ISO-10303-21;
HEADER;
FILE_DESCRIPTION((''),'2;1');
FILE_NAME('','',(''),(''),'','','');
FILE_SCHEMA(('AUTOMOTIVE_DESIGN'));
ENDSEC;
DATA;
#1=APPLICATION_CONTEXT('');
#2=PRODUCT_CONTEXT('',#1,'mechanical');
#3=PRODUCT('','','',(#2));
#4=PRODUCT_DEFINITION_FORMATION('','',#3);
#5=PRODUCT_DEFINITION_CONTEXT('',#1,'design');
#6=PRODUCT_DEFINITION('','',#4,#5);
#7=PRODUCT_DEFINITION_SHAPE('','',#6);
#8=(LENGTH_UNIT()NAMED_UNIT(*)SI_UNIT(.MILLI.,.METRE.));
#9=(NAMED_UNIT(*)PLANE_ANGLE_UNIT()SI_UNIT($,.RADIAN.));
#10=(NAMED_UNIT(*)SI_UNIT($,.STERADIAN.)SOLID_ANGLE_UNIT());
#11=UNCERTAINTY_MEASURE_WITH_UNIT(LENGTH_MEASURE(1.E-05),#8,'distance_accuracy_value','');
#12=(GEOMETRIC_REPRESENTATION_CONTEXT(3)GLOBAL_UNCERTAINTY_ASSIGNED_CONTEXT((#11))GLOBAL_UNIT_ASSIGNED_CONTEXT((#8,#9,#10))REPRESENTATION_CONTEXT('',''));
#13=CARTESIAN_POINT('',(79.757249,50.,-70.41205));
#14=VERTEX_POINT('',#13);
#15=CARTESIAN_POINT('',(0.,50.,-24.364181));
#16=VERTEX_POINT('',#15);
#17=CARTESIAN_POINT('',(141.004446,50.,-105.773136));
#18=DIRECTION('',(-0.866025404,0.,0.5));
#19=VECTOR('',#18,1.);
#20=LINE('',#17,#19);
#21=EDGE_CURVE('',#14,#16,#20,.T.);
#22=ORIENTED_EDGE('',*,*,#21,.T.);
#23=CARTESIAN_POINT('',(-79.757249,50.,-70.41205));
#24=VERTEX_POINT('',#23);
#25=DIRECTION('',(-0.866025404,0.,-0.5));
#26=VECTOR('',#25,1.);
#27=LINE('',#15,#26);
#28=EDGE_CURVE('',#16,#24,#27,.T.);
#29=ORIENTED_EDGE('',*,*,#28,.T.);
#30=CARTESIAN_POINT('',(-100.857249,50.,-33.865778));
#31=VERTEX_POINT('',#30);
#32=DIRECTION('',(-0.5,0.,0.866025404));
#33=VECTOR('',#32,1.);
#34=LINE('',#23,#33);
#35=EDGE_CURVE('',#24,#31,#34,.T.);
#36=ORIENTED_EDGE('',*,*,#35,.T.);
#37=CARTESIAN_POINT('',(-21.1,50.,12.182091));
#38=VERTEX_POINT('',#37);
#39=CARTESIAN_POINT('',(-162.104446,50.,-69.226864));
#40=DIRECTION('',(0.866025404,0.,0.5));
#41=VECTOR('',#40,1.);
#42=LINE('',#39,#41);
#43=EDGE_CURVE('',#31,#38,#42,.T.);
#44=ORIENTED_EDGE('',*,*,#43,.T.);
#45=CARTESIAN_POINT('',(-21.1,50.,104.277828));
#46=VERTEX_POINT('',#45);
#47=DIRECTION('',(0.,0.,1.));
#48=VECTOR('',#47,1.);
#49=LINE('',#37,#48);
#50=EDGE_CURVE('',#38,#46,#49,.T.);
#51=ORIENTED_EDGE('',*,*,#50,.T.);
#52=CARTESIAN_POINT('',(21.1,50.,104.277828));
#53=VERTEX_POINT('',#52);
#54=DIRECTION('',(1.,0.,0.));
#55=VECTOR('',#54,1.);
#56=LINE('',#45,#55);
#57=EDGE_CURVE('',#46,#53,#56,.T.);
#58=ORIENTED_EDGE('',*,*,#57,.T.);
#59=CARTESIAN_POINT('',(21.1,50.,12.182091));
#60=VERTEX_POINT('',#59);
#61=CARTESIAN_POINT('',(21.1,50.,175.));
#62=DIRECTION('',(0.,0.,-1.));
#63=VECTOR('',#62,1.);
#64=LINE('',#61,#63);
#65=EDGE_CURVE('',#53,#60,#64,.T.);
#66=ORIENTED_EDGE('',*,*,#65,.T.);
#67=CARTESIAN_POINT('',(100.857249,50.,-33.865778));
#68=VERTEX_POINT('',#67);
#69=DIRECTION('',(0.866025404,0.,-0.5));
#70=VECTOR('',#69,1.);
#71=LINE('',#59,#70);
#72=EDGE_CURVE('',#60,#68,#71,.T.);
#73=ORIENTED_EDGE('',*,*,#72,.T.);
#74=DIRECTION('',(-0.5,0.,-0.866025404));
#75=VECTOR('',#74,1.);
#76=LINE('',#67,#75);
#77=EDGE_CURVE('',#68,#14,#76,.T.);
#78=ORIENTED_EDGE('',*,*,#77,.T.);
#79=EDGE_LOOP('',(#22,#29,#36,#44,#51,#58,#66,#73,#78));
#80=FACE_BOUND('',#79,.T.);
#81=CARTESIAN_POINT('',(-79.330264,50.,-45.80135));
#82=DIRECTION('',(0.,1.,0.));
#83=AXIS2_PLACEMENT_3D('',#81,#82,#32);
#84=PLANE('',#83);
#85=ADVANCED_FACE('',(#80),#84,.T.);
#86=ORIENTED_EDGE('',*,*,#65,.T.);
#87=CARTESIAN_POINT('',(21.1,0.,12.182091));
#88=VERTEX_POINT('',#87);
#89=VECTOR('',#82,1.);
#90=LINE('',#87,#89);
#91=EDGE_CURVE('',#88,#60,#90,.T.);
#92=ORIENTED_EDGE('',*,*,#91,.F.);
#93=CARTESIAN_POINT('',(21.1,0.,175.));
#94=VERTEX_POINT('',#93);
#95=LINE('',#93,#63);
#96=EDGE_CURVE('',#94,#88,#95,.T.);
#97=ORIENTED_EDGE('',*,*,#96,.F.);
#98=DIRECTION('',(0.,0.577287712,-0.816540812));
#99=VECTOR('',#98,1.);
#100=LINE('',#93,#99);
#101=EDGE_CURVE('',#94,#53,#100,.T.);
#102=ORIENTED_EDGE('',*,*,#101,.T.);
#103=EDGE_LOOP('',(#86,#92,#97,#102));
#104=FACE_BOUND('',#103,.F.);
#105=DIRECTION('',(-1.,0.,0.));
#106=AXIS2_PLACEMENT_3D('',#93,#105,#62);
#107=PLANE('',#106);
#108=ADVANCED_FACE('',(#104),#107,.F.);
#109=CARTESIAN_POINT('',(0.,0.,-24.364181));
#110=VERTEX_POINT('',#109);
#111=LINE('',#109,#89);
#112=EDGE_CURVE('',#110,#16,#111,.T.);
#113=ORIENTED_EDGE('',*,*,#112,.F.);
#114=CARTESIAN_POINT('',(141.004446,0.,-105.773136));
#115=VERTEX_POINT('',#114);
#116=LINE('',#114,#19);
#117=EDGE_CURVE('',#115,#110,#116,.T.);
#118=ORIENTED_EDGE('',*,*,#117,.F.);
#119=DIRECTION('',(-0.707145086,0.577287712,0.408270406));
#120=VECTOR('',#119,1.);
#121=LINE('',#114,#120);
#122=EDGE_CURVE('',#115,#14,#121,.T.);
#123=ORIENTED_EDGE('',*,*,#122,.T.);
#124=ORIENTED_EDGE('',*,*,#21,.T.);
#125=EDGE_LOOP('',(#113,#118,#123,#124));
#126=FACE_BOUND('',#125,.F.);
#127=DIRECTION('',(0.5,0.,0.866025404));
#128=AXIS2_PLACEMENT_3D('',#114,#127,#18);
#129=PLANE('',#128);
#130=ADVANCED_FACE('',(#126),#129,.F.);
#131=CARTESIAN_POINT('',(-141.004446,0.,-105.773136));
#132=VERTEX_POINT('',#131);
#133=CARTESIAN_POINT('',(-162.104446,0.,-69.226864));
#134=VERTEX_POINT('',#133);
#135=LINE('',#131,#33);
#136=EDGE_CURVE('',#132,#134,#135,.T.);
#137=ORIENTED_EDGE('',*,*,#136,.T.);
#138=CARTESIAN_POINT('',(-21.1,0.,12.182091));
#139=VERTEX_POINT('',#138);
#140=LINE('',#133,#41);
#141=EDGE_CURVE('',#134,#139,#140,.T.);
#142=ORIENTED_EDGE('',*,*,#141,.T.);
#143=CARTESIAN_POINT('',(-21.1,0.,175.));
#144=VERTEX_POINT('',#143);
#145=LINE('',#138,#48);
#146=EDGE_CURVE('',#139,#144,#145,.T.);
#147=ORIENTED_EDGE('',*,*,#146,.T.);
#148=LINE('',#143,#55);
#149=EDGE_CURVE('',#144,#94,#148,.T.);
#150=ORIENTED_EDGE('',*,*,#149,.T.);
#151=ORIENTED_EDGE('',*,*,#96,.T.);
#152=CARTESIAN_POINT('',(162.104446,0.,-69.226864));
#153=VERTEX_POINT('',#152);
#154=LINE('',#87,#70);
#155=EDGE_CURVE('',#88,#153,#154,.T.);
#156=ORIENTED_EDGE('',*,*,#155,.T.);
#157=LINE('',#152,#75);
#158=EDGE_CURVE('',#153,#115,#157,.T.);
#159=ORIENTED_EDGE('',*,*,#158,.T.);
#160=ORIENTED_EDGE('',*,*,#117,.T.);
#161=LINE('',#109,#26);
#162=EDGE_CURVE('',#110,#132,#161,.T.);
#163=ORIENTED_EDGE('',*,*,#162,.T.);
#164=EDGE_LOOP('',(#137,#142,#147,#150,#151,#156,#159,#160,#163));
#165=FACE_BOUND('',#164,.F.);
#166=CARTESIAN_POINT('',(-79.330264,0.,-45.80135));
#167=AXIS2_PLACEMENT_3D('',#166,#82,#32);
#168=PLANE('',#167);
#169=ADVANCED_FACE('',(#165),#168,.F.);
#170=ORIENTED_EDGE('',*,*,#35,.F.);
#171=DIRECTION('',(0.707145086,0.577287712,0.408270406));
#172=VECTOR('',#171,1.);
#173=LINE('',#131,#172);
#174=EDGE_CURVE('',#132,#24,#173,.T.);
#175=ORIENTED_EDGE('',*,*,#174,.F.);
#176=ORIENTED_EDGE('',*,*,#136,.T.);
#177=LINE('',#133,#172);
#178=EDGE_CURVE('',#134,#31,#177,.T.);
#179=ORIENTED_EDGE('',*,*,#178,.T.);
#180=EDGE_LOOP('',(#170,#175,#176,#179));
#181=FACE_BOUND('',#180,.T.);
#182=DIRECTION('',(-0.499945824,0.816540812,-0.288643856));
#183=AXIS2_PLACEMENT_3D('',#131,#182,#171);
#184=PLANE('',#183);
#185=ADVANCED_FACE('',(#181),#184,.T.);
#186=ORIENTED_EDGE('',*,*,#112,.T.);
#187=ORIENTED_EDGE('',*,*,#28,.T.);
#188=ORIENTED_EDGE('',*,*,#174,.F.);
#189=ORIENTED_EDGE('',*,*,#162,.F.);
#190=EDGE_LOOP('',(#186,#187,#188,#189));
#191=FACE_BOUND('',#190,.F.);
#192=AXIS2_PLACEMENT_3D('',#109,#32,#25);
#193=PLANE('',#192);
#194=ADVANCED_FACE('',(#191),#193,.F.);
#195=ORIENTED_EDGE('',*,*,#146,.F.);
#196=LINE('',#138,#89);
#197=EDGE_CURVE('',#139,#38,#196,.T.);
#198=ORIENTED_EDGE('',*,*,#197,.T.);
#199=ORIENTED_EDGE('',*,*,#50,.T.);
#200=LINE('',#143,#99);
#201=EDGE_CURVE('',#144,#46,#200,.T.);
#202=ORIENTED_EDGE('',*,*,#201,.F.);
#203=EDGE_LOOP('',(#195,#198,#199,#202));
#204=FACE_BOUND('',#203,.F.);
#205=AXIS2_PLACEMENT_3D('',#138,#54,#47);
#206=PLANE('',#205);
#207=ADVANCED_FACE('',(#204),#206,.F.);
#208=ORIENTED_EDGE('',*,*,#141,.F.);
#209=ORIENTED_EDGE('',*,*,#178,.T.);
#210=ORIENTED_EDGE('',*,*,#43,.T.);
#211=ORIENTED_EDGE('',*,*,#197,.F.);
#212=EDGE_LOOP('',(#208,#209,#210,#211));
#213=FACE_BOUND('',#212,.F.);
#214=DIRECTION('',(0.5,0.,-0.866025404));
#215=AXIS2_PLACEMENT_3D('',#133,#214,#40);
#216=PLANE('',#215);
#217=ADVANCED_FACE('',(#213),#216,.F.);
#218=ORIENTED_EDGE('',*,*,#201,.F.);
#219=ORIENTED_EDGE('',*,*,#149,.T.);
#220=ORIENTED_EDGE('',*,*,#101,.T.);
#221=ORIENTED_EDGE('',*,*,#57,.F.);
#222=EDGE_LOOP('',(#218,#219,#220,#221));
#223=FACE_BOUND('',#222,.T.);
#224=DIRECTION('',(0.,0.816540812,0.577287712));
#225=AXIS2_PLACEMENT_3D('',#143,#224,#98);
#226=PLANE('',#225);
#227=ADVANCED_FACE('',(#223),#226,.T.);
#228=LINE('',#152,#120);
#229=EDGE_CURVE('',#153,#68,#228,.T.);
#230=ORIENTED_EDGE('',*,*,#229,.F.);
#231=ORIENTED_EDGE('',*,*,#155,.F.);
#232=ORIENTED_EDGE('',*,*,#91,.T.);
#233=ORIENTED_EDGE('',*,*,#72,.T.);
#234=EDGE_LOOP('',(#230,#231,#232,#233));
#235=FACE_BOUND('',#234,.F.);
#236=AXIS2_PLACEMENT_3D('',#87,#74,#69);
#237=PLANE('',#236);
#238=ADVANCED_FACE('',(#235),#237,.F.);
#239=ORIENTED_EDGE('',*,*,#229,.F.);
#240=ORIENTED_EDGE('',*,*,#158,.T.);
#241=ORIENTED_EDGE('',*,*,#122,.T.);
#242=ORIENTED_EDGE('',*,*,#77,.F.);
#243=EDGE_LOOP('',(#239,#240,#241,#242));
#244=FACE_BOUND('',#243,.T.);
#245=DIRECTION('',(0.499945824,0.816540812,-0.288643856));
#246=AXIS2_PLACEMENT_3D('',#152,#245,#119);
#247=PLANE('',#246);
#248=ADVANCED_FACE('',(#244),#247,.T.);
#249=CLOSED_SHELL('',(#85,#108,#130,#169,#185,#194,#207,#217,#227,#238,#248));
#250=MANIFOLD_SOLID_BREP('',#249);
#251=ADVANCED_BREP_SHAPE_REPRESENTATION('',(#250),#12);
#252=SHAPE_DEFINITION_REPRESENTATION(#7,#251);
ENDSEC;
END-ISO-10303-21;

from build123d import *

# Parameters (mm, degrees)
BOSS_EXTRUDE2_DEPTH = 50
CUT_EXTRUDE1_DEPTH  = 42.2
CIRPATTERN1_COUNT   = 3


with BuildPart() as part:
    # Sketch3 → Boss-Extrude2 (new body)
    with BuildSketch(Plane(origin=(0, 0, 0), x_dir=(1, 0, 0), z_dir=(0, 1, 0))):
        Polygon((-21.1, -12.18209068), (-21.1, -175), (21.1, -175), (21.1, -12.18209068), (0, 0), align=None)
    boss_extrude2 = extrude(amount=BOSS_EXTRUDE2_DEPTH)

    # Sketch4 → Cut-Extrude1 (cut)
    with BuildSketch(Plane.ZY.offset(21.1)):
        Polygon((175, 0), (104.277828473, 50), (175, 50), align=None)
    cut_extrude1 = extrude(amount=-CUT_EXTRUDE1_DEPTH, mode=Mode.SUBTRACT)

    # CirPattern1: Boss-Extrude2, Cut-Extrude1 ×3 about axis
    cirpattern1_axis = Axis((0, 0, 0), (0, 1, 0))
    for i in range(1, CIRPATTERN1_COUNT):
        add(boss_extrude2.rotate(cirpattern1_axis, i * 360 / CIRPATTERN1_COUNT))
        add(cut_extrude1.rotate(cirpattern1_axis, i * 360 / CIRPATTERN1_COUNT), mode=Mode.SUBTRACT)


solid = part.part
